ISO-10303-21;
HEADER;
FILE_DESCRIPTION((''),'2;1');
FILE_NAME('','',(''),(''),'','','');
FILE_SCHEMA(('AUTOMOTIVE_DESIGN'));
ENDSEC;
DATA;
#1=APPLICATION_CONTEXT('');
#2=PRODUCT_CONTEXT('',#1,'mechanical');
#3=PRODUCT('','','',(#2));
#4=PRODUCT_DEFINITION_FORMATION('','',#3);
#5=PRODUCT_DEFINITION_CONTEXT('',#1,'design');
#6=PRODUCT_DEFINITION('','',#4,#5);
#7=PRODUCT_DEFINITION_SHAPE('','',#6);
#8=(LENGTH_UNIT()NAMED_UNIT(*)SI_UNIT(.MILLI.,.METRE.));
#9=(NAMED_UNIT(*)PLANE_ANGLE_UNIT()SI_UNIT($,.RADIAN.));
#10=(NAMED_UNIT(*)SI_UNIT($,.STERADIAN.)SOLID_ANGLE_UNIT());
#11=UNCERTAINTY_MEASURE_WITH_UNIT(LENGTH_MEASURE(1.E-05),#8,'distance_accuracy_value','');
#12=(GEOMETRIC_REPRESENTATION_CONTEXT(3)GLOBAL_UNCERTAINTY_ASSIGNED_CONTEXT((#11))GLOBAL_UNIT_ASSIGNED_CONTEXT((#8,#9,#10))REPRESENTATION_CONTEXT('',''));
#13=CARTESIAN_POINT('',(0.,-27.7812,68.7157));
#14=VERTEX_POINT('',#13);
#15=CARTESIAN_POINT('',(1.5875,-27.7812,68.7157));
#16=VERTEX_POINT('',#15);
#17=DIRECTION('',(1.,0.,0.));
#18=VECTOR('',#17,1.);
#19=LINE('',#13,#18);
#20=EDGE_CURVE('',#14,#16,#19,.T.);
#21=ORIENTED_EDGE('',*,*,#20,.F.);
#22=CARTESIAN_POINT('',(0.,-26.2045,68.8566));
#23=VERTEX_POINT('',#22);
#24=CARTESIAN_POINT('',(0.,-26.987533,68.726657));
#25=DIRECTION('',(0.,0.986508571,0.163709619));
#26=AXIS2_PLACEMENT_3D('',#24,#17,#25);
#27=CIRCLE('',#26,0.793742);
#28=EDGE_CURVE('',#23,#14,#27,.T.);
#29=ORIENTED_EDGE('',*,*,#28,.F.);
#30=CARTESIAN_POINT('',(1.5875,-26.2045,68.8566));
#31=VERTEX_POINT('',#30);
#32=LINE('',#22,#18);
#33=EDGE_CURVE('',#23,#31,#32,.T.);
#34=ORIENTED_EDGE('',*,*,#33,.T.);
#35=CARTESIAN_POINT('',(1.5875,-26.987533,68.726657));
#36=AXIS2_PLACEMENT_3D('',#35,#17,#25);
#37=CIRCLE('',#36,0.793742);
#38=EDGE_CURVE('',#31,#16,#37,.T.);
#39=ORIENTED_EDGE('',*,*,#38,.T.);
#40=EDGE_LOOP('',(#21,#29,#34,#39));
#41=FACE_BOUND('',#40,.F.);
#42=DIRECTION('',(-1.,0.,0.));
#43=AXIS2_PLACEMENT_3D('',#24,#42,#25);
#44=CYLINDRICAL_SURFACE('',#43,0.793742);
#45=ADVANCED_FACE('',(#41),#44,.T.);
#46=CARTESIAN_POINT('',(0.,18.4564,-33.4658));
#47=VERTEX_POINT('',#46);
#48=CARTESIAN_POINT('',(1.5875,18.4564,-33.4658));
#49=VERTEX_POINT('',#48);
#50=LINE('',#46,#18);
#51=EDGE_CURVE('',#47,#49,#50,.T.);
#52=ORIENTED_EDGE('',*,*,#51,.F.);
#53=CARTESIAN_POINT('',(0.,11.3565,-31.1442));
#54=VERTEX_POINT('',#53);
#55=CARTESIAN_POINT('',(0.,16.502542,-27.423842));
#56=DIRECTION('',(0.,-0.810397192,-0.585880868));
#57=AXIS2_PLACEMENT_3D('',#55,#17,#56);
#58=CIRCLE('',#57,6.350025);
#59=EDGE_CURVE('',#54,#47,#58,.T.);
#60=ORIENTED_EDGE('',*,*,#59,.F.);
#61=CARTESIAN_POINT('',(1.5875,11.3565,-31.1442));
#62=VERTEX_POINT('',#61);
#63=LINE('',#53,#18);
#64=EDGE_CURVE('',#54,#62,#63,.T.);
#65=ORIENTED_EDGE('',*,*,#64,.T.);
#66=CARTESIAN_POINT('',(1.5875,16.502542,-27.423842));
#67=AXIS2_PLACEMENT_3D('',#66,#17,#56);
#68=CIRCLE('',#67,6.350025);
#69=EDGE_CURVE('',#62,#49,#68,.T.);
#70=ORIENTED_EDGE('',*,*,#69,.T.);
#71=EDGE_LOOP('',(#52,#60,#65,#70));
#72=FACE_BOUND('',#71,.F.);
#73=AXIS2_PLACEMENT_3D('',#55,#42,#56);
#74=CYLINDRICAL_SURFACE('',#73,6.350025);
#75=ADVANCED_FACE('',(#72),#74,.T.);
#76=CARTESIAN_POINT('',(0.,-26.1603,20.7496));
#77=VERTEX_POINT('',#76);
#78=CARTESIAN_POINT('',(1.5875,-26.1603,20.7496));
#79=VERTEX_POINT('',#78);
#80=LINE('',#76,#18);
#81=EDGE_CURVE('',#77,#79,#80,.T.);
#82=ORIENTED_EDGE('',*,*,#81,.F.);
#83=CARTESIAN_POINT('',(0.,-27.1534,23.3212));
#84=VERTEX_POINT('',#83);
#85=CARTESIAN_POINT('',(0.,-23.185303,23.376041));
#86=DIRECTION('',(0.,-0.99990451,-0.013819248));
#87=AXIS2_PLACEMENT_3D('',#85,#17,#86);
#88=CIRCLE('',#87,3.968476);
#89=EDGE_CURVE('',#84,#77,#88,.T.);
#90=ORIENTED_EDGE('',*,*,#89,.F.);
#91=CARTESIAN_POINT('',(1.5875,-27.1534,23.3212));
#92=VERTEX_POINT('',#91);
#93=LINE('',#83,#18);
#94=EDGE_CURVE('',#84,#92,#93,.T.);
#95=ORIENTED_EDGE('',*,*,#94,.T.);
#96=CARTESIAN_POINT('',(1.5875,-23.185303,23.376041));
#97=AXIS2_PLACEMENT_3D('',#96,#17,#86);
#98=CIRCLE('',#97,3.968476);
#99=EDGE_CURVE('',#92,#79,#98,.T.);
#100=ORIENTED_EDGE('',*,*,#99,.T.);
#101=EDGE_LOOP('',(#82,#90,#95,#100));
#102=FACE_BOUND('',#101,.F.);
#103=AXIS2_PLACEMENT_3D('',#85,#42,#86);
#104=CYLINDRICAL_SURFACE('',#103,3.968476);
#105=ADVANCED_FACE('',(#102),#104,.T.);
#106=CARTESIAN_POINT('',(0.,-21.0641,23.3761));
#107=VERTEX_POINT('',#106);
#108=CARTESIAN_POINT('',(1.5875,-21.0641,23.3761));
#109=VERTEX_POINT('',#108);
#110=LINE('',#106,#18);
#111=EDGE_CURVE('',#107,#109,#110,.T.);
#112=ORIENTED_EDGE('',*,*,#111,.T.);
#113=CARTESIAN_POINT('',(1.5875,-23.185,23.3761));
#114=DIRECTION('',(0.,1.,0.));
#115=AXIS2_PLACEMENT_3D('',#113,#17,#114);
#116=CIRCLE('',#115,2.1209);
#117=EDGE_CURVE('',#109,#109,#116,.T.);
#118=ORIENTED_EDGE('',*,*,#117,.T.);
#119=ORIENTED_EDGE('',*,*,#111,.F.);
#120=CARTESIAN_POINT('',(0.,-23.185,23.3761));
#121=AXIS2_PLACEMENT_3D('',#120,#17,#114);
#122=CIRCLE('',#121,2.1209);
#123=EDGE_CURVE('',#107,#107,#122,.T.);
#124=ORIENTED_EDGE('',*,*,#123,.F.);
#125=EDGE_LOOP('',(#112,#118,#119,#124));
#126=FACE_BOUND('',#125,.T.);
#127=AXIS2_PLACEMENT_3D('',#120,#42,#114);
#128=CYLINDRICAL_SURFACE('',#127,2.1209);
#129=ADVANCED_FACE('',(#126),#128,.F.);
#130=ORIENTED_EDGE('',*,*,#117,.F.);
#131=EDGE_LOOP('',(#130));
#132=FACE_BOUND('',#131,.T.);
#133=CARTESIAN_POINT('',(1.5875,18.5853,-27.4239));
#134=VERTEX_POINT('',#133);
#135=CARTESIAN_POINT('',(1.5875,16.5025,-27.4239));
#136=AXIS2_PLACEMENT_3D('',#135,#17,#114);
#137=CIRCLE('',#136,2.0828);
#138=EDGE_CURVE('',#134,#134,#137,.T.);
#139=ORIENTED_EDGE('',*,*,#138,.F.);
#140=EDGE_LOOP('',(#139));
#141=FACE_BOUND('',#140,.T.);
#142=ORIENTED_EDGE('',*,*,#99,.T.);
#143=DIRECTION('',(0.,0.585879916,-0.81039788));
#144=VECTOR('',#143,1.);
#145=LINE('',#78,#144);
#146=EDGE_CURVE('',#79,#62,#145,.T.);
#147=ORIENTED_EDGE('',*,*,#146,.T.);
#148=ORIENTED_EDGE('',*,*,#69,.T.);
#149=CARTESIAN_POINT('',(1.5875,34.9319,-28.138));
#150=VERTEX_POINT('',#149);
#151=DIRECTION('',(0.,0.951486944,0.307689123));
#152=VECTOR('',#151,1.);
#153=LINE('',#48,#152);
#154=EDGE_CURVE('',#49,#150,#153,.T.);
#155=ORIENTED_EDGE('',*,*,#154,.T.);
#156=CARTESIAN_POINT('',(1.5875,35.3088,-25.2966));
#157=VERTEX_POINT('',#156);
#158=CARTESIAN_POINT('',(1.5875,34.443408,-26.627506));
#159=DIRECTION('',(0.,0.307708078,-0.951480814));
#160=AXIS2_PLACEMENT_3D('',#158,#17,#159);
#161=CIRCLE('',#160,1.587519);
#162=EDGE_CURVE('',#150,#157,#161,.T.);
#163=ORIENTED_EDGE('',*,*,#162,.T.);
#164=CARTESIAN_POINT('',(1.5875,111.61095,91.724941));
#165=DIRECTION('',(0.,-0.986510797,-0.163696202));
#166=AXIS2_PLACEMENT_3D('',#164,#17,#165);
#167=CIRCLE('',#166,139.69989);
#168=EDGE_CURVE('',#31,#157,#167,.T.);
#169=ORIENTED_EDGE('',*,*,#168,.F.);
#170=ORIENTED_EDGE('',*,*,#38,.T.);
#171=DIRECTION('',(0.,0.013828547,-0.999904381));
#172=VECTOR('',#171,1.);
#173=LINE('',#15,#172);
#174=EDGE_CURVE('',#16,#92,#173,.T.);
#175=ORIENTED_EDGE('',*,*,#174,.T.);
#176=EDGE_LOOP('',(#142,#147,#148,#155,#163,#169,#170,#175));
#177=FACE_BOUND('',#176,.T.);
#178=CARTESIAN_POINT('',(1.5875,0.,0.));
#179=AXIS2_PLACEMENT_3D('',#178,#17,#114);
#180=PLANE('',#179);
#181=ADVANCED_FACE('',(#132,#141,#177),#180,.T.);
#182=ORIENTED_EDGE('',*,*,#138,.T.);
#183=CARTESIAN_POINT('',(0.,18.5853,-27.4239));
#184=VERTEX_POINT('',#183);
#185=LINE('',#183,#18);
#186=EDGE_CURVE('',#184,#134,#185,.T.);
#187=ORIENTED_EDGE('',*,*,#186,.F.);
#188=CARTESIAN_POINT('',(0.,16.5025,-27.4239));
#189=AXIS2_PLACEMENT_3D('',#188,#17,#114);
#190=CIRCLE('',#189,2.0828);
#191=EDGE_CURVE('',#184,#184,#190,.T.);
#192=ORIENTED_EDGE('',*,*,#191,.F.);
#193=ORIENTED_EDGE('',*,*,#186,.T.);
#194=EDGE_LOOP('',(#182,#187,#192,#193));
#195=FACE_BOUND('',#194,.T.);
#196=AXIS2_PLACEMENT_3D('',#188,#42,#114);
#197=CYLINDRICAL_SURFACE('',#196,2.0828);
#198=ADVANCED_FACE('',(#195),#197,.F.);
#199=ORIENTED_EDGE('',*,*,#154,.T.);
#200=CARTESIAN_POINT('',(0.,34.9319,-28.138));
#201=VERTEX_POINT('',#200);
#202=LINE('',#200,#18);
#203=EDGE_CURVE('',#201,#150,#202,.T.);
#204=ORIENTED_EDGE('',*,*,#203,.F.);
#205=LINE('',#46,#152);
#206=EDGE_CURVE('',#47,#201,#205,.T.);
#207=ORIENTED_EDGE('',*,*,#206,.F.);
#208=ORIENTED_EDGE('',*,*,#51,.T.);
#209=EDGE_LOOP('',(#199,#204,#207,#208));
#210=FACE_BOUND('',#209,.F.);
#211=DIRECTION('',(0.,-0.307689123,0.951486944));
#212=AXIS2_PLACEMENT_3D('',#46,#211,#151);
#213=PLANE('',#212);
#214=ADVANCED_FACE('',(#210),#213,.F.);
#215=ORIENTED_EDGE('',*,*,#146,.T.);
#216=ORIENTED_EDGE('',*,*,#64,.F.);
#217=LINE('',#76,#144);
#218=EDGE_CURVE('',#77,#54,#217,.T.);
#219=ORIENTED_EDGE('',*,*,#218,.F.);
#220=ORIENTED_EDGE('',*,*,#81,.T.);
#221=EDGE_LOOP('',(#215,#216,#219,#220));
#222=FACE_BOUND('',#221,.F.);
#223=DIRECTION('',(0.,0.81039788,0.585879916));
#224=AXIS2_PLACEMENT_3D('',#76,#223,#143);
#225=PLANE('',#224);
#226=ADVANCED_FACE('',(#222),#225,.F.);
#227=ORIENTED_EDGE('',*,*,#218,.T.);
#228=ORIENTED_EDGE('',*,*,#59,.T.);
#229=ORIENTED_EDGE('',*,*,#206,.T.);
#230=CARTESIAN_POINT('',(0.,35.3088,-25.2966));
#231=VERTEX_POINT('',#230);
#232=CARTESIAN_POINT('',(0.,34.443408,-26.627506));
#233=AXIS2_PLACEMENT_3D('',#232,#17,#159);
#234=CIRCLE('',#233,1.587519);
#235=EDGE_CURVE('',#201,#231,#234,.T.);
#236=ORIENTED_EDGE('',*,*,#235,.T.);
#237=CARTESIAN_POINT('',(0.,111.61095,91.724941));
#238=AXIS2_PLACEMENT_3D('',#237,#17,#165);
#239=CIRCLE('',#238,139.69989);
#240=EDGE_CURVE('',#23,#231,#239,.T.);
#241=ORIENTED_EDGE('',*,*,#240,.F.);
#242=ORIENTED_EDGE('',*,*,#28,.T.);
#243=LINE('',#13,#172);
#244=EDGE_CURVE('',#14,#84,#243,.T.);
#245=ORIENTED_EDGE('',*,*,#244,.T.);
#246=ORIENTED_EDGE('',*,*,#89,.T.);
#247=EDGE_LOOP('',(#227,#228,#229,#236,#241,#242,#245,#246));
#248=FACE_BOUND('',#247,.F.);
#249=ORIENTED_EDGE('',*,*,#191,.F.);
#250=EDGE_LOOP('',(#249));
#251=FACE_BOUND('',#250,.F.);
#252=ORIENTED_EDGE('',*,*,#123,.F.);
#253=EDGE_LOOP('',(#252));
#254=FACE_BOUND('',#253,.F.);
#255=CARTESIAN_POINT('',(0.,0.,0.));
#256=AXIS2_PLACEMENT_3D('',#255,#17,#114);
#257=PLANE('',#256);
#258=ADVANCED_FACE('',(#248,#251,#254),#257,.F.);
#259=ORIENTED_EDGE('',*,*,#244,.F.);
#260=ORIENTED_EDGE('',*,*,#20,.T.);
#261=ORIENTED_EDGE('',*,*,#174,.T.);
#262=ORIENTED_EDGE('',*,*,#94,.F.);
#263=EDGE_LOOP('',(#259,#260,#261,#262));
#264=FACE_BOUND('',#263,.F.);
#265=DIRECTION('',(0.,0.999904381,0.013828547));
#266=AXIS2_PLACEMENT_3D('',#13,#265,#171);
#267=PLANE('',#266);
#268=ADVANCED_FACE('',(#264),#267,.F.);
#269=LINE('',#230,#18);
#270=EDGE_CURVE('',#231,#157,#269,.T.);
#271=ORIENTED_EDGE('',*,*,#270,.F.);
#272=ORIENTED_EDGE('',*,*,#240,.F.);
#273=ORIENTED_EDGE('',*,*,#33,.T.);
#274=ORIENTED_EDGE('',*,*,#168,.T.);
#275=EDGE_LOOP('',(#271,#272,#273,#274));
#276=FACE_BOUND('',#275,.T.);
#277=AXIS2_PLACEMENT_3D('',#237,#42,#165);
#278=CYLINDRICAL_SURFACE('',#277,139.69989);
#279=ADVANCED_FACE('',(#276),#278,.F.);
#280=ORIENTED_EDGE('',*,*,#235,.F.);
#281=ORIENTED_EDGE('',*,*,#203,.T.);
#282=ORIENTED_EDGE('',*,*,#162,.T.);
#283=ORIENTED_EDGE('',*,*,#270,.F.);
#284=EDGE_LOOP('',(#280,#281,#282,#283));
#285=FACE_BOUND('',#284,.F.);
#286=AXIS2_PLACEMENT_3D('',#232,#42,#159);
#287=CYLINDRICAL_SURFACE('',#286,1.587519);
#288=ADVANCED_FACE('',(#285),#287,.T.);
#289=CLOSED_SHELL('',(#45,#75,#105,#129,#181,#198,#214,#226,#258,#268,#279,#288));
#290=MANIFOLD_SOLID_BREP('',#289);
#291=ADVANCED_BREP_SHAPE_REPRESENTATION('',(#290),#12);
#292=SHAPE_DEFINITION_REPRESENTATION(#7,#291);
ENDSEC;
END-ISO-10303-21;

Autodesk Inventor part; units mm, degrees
ref_plane "YZ Plane" through (0, 0, 0) normal (1, 0, 0) x (0, 1, 0)
ref_plane "XZ Plane" through (0, 0, 0) normal (0, 1, 0) x (-1, 0, 0)
ref_plane "XY Plane" through (0, 0, 0) normal (0, 0, 1) x (1, 0, 0)
sketch "Sketch1" plane through (0, 0, 0) normal (1, 0, 0) x (0, 1, 0)
  circle A0 centre (-23.185, 23.3761) radius 2.1209
  circle A1 centre (16.5025, -27.4239) radius 2.1209 construction
  arc A2 (11.3565, -31.1442) -> (18.4564, -33.4658) centre (16.5025, -27.4239) ccw
  arc A3 (-27.1534, 23.3212) -> (-26.1603, 20.7496) centre (-23.185, 23.3761) ccw
  line L0 (-26.1603, 20.7496) -> (11.3565, -31.1442)
  line L1 (18.4564, -33.4658) -> (34.9319, -28.138)
  arc A4 (34.9319, -28.138) -> (35.3088, -25.2966) centre (34.4434, -26.6275) ccw
  circle A5 centre (16.5025, -27.4239) radius 2.0828
  arc A6 (-26.2045, 68.8566) -> (35.3088, -25.2966) centre (111.6111, 91.725) ccw
  line L2 (-27.7812, 68.7157) -> (-27.1534, 23.3212)
  arc A7 (-26.2045, 68.8566) -> (-27.7812, 68.7157) centre (-26.9875, 68.7267) ccw
  point P0 (0, 0)
  point P1 (-27.9475, 67.8261)
  point P2 (-28.0603, 88.899)
  dimension "d1" = 12.7
  dimension "d5" = 4.1656
  dimension "d6" = 0.7937
  dimension "d7" = 139.7
extrude "Extrusion1" add sketch "Sketch1" along normal blind 1.5875
properties part number "ramp_v3"
